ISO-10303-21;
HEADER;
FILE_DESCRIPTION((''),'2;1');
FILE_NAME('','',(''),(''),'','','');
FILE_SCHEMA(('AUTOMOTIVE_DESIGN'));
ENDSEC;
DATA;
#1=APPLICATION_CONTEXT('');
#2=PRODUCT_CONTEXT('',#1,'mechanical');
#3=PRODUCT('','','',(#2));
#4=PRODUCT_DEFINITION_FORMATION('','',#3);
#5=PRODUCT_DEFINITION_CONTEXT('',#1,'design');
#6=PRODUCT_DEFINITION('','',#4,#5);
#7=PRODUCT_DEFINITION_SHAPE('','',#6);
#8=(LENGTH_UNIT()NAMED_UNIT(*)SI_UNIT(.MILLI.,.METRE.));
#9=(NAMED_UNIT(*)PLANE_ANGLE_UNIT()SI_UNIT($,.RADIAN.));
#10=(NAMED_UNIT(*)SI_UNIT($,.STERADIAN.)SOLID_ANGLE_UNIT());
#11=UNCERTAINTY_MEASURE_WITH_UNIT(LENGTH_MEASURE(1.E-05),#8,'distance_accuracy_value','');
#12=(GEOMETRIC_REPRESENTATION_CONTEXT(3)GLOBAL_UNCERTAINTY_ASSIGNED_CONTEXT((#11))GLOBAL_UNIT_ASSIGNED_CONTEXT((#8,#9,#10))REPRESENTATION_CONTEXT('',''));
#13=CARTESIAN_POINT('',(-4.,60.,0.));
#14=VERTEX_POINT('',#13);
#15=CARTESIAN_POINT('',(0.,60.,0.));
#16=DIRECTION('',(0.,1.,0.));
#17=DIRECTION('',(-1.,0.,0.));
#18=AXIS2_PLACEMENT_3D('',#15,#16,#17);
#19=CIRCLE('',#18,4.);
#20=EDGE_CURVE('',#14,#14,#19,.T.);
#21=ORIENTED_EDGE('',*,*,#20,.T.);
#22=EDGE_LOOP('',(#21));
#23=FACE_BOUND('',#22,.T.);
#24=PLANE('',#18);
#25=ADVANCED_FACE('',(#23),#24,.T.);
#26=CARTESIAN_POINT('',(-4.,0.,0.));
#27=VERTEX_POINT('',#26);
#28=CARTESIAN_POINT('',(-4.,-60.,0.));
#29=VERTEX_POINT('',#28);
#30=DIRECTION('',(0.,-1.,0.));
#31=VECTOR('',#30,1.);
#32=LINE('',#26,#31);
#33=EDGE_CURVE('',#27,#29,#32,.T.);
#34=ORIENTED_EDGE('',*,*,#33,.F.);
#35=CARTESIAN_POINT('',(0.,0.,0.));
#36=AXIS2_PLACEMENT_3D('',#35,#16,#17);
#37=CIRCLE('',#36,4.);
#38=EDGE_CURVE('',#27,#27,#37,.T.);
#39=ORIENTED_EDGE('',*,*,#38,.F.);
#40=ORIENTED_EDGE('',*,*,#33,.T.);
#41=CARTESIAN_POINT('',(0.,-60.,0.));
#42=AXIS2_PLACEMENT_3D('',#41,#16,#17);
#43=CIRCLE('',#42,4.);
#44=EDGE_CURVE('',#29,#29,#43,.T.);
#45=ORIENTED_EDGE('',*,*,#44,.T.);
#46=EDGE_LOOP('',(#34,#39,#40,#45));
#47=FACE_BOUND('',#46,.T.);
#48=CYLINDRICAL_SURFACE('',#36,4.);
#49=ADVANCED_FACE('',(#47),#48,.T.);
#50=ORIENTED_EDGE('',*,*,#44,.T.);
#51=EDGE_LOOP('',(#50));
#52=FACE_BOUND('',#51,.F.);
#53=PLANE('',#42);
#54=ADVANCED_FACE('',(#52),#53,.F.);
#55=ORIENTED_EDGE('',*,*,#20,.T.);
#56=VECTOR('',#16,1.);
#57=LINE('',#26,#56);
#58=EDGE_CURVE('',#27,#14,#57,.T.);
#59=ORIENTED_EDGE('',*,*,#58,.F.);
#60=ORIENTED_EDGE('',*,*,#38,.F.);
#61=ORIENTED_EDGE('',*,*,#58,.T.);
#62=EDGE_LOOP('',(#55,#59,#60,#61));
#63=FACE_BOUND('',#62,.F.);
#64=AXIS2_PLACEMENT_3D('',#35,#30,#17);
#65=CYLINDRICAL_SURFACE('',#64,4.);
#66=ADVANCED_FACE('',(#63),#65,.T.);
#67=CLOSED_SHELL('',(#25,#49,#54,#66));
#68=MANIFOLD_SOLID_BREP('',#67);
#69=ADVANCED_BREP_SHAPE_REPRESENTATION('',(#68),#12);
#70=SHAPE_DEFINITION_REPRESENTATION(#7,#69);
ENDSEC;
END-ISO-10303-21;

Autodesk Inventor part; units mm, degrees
ref_plane "YZ Plane" through (0, 0, 0) normal (1, 0, 0) x (0, 1, 0)
ref_plane "XZ Plane" through (0, 0, 0) normal (0, 1, 0) x (-1, 0, 0)
ref_plane "XY Plane" through (0, 0, 0) normal (0, 0, 1) x (1, 0, 0)
sketch "Sketch1" plane through (0, 0, 0) normal (0, 1, 0) x (-1, 0, 0)
  circle A0 centre (0, 0) radius 4
  dimension "d0" = 8
extrude "Extrusion1" add sketch "Sketch1" along normal mid plane 120
properties part number "eje8x120mm"
